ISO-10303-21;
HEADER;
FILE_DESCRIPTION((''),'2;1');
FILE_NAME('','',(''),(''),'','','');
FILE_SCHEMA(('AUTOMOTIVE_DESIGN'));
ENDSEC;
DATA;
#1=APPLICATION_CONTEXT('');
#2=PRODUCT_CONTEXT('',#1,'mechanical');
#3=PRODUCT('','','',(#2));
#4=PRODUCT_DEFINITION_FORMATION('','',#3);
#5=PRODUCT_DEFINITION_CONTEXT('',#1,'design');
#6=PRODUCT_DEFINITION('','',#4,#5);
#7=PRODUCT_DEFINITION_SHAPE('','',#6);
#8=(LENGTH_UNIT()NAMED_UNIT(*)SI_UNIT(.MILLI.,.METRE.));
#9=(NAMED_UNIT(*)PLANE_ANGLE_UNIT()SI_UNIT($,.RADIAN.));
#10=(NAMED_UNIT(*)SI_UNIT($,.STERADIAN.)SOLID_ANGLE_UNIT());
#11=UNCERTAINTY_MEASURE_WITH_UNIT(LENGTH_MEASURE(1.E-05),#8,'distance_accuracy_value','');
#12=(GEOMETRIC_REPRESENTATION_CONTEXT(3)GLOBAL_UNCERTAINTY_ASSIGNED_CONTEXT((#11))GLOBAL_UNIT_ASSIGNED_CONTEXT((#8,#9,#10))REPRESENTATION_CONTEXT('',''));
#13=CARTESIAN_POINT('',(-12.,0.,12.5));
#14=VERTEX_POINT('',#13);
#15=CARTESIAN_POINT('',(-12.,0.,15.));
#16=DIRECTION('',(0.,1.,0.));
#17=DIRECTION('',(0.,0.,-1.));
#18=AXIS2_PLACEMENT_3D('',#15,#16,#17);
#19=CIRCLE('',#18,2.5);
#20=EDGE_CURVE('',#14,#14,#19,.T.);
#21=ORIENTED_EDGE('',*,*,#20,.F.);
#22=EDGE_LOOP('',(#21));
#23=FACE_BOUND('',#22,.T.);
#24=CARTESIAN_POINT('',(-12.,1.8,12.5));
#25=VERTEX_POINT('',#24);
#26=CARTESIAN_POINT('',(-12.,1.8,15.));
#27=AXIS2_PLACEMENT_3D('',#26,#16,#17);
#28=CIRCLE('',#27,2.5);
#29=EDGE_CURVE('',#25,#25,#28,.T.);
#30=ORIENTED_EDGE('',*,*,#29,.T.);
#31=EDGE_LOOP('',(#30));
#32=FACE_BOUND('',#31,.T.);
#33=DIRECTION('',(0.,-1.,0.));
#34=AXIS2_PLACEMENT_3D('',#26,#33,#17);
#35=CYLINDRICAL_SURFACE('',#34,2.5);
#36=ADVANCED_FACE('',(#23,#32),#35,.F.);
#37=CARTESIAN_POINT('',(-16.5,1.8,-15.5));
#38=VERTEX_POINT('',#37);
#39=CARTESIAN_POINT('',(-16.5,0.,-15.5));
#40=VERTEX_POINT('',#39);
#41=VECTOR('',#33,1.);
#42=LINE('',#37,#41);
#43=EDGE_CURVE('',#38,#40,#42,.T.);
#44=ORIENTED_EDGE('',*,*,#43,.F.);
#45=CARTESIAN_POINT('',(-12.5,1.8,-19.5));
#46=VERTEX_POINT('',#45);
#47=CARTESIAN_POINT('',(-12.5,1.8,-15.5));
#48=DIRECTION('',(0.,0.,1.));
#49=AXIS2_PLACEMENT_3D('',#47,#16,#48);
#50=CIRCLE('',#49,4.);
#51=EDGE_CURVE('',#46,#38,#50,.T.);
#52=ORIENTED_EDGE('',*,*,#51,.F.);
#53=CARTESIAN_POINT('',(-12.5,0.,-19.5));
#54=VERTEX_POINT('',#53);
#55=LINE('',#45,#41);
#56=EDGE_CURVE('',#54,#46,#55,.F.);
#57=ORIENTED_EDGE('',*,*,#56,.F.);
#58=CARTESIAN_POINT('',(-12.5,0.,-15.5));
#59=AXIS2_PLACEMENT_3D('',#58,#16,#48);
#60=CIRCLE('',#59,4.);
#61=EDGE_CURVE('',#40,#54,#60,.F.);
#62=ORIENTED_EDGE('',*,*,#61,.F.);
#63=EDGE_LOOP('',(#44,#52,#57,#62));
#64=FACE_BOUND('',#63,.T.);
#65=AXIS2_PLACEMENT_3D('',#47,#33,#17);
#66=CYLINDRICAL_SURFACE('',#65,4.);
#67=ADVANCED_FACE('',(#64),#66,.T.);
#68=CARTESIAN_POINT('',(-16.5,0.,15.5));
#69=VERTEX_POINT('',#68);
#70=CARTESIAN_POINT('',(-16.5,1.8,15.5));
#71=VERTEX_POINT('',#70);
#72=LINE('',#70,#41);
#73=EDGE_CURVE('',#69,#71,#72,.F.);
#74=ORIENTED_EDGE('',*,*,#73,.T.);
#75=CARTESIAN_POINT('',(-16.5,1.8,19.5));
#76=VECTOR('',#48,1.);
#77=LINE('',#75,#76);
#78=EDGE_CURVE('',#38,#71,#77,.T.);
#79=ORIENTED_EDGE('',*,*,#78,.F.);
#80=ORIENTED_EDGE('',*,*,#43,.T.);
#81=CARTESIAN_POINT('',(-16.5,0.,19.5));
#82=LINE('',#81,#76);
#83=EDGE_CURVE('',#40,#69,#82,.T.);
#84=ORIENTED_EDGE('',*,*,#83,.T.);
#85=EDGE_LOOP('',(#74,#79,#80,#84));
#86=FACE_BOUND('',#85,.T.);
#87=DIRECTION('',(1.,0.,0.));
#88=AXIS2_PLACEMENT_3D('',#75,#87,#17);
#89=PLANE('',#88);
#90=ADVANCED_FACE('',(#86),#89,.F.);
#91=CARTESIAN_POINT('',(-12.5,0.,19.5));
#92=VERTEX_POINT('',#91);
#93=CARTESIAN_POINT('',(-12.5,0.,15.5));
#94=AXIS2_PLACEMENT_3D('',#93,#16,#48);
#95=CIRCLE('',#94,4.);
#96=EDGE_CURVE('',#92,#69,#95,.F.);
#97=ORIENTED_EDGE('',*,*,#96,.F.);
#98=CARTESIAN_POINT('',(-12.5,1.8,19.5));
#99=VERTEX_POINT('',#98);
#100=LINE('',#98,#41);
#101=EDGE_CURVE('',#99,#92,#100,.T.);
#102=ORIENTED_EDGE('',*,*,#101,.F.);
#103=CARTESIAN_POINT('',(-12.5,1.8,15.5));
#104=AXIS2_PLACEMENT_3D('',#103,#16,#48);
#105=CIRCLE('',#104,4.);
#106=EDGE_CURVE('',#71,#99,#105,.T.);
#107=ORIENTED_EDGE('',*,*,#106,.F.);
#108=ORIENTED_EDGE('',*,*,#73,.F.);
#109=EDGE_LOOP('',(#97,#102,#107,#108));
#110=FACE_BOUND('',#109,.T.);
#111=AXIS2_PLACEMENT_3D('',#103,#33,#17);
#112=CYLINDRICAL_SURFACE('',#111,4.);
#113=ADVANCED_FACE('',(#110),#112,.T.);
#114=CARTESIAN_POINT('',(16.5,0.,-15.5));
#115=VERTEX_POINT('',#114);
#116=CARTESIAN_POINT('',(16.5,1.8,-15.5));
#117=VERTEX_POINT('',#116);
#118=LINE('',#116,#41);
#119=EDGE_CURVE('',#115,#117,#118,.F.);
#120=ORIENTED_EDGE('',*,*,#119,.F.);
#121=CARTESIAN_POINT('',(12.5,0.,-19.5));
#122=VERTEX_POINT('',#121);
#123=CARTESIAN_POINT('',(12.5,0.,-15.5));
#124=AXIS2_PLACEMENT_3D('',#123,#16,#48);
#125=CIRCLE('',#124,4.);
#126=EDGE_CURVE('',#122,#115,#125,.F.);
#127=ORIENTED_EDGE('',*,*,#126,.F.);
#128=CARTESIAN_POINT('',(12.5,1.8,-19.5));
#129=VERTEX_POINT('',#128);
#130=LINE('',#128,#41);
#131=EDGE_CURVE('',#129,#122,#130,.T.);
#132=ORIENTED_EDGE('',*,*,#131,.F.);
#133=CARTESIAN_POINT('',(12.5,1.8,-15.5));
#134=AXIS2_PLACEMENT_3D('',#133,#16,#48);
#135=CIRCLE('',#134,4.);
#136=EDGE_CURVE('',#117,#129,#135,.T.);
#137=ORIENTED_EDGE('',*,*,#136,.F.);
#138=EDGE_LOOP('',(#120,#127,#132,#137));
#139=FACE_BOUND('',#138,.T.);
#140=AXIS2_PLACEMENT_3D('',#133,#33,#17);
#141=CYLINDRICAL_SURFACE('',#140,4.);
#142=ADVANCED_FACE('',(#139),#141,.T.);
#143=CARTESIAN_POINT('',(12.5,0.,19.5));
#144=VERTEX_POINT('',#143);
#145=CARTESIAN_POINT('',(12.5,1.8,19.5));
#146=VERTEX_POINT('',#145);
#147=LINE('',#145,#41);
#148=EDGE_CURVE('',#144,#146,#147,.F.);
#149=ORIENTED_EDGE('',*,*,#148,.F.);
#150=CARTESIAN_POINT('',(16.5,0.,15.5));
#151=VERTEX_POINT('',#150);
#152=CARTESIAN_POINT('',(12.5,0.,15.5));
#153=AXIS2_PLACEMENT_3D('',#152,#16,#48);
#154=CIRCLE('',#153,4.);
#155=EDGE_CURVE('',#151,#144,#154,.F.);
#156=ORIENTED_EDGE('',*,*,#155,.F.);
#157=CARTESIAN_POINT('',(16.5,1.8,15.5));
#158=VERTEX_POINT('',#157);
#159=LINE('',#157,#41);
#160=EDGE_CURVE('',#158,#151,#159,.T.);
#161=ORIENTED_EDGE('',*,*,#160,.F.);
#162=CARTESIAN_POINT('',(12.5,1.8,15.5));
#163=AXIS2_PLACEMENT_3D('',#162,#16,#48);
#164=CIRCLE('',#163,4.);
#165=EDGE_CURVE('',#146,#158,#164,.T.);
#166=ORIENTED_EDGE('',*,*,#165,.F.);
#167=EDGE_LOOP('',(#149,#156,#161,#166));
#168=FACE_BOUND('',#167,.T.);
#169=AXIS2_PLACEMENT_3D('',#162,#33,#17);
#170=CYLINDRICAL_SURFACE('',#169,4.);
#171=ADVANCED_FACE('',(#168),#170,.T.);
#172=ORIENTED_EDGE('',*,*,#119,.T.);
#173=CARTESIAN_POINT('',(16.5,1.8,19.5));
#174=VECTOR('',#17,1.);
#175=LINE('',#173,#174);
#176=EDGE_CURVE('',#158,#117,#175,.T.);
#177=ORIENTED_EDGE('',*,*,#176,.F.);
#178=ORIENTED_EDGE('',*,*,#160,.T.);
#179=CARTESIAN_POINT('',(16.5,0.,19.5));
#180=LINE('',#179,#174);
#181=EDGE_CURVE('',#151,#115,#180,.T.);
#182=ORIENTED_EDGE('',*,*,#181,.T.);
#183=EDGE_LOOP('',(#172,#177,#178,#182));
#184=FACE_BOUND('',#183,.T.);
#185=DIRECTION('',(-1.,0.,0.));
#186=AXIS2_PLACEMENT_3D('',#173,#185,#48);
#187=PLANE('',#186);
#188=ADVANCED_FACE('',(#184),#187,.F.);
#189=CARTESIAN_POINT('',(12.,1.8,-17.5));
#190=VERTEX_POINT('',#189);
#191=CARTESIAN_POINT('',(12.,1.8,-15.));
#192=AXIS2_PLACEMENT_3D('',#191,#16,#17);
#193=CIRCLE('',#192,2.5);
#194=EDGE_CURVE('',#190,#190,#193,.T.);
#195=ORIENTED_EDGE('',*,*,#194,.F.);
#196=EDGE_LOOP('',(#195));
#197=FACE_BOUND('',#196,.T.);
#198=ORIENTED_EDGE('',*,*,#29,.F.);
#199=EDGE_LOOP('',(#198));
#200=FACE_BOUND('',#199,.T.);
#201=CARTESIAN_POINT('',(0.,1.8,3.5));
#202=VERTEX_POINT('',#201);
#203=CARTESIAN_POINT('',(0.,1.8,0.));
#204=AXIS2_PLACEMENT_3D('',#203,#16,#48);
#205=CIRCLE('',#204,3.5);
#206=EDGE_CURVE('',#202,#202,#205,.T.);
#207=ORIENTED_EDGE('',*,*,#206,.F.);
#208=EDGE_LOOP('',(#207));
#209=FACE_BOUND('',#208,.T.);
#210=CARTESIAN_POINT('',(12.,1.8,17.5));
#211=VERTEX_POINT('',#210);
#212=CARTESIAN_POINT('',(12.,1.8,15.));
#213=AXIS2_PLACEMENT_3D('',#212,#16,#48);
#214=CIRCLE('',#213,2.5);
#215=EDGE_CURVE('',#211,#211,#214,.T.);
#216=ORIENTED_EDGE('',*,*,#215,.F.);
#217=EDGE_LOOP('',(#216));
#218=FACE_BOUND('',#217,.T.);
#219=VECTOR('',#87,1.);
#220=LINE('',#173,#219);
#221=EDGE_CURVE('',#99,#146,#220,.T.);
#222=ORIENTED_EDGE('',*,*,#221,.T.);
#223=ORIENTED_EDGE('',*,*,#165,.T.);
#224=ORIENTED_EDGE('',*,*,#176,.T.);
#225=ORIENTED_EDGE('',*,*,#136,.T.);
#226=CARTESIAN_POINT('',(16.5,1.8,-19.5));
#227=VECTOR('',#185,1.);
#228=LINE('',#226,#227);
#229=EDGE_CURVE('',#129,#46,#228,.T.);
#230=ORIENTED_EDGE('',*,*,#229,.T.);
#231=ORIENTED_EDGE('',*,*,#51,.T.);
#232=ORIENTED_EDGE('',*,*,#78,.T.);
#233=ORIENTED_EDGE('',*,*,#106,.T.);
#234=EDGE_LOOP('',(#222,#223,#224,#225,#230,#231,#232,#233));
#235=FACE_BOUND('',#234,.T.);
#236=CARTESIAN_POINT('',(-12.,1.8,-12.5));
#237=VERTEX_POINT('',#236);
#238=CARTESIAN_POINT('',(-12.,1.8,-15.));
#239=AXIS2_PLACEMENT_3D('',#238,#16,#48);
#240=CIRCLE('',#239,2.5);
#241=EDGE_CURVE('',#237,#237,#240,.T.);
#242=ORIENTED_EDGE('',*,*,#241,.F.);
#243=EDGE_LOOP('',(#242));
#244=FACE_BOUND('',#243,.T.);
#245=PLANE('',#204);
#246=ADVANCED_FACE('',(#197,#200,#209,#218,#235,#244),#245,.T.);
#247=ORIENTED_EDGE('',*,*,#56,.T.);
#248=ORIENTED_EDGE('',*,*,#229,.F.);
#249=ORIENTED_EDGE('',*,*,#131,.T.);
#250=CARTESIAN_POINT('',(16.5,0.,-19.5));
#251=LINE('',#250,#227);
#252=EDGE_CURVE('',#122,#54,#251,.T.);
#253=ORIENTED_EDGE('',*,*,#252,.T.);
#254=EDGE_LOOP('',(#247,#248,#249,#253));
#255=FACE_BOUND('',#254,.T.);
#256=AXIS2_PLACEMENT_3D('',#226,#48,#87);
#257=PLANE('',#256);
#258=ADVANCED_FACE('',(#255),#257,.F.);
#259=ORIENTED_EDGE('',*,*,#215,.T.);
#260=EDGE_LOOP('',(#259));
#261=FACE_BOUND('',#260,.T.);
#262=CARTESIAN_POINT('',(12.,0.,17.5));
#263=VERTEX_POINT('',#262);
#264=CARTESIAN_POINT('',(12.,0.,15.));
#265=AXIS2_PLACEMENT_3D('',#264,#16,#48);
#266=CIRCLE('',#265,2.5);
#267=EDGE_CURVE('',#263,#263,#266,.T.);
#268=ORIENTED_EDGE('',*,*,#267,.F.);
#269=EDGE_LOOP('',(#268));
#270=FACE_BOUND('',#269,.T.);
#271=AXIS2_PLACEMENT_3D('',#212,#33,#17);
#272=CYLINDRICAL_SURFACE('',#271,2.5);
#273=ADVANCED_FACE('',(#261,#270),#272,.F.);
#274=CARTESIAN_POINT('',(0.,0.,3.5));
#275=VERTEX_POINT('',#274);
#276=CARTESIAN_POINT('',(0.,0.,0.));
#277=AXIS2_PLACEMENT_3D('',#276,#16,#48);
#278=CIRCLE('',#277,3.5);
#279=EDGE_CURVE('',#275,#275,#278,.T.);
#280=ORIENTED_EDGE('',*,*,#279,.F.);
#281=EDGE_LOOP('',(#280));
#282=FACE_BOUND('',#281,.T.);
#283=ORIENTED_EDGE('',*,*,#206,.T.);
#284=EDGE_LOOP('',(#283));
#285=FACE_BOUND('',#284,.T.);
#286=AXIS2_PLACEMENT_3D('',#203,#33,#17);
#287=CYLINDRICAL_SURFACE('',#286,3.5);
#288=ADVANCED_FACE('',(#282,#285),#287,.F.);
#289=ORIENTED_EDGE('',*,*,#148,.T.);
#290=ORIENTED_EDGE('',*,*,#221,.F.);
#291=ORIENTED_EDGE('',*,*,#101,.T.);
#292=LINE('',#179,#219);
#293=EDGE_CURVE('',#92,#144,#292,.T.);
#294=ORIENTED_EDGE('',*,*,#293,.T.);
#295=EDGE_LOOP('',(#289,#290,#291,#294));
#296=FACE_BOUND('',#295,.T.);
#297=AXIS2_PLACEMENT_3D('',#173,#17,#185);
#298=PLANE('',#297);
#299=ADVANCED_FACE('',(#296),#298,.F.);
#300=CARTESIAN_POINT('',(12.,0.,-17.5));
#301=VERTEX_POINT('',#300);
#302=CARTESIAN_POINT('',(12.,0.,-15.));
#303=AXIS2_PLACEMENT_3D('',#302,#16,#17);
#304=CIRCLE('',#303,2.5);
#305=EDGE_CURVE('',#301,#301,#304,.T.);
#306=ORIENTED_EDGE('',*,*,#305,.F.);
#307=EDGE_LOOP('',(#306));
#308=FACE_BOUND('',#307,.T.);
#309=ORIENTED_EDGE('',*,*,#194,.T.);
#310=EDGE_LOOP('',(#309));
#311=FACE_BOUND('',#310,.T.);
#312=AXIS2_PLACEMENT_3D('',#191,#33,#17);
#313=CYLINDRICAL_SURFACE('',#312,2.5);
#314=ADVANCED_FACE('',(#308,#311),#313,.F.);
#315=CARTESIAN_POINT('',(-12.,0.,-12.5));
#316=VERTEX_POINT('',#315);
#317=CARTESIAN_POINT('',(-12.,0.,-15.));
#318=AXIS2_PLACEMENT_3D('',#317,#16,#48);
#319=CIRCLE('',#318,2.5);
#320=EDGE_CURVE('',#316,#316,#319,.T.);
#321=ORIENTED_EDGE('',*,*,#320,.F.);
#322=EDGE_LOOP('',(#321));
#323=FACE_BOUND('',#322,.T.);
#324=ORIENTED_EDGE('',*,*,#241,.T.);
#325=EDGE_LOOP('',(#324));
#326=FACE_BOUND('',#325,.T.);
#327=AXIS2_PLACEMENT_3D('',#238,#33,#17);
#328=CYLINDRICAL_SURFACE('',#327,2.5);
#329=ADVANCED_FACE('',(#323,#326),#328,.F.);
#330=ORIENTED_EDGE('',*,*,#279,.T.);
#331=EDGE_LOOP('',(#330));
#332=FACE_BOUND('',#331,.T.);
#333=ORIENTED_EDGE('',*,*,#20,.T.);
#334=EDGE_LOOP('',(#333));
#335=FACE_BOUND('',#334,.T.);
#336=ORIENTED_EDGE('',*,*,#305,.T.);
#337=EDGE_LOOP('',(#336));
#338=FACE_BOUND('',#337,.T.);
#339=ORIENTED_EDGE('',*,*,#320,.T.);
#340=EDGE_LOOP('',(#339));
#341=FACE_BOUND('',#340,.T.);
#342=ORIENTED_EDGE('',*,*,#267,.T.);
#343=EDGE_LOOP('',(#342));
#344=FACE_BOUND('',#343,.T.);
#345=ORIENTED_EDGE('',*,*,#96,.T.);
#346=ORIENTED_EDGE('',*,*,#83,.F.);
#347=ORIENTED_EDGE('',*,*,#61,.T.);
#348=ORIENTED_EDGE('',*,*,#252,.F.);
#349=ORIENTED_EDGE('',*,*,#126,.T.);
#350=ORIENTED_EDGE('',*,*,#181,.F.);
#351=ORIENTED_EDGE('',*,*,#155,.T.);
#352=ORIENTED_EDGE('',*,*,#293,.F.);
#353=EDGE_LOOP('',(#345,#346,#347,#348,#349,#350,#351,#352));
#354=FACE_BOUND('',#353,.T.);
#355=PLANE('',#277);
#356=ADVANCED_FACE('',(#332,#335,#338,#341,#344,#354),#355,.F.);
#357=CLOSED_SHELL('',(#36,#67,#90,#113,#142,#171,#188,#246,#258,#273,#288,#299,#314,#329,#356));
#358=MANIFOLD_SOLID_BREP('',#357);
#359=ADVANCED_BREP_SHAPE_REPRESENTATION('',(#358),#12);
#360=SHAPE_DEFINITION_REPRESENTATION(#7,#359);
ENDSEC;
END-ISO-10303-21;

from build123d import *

# Parameters (mm, degrees)
SKETCH1_W           = 33
SKETCH1_H           = 39
SKETCH1_R           = 2.5
SKETCH1_R_2         = 3.5
BOSS_EXTRUDE1_DEPTH = 1.8
FILLET1_R           = 4
FILLET2_R           = 4
FILLET3_R           = 4
FILLET4_R           = 4


with BuildPart() as part:
    # Sketch1 → Boss-Extrude1 (new body)
    with BuildSketch(Plane(origin=(0, 0, 0), x_dir=(1, 0, 0), z_dir=(0, 1, 0))):
        Rectangle(SKETCH1_W, SKETCH1_H)
        with Locations(Location((12, -15, 0), (0, 0, 270))):
            Circle(SKETCH1_R, mode=Mode.SUBTRACT)
        with Locations(Location((12, 15, 0), (0, 0, 90))):
            Circle(SKETCH1_R, mode=Mode.SUBTRACT)
        with Locations(Location((-12, -15, 0), (0, 0, 90))):
            Circle(SKETCH1_R, mode=Mode.SUBTRACT)
        with Locations(Location((-12, 15, 0), (0, 0, 270))):
            Circle(SKETCH1_R, mode=Mode.SUBTRACT)
        with Locations(Location((0, 0, 0), (0, 0, 270))):
            Circle(SKETCH1_R_2, mode=Mode.SUBTRACT)
    extrude(amount=BOSS_EXTRUDE1_DEPTH)

    # Fillet1
    fillet1_edges = [part.edges().sort_by_distance(p)[0] for p in [
        (-16.5, 0.9, -19.5),
    ]]
    fillet(fillet1_edges, radius=FILLET1_R)

    # Fillet2
    fillet2_edges = [part.edges().sort_by_distance(p)[0] for p in [
        (16.5, 0.9, -19.5),
    ]]
    fillet(fillet2_edges, radius=FILLET2_R)

    # Fillet3
    fillet3_edges = [part.edges().sort_by_distance(p)[0] for p in [
        (16.5, 0.9, 19.5),
    ]]
    fillet(fillet3_edges, radius=FILLET3_R)

    # Fillet4
    fillet4_edges = [part.edges().sort_by_distance(p)[0] for p in [
        (-16.5, 0.9, 19.5),
    ]]
    fillet(fillet4_edges, radius=FILLET4_R)


solid = part.part
